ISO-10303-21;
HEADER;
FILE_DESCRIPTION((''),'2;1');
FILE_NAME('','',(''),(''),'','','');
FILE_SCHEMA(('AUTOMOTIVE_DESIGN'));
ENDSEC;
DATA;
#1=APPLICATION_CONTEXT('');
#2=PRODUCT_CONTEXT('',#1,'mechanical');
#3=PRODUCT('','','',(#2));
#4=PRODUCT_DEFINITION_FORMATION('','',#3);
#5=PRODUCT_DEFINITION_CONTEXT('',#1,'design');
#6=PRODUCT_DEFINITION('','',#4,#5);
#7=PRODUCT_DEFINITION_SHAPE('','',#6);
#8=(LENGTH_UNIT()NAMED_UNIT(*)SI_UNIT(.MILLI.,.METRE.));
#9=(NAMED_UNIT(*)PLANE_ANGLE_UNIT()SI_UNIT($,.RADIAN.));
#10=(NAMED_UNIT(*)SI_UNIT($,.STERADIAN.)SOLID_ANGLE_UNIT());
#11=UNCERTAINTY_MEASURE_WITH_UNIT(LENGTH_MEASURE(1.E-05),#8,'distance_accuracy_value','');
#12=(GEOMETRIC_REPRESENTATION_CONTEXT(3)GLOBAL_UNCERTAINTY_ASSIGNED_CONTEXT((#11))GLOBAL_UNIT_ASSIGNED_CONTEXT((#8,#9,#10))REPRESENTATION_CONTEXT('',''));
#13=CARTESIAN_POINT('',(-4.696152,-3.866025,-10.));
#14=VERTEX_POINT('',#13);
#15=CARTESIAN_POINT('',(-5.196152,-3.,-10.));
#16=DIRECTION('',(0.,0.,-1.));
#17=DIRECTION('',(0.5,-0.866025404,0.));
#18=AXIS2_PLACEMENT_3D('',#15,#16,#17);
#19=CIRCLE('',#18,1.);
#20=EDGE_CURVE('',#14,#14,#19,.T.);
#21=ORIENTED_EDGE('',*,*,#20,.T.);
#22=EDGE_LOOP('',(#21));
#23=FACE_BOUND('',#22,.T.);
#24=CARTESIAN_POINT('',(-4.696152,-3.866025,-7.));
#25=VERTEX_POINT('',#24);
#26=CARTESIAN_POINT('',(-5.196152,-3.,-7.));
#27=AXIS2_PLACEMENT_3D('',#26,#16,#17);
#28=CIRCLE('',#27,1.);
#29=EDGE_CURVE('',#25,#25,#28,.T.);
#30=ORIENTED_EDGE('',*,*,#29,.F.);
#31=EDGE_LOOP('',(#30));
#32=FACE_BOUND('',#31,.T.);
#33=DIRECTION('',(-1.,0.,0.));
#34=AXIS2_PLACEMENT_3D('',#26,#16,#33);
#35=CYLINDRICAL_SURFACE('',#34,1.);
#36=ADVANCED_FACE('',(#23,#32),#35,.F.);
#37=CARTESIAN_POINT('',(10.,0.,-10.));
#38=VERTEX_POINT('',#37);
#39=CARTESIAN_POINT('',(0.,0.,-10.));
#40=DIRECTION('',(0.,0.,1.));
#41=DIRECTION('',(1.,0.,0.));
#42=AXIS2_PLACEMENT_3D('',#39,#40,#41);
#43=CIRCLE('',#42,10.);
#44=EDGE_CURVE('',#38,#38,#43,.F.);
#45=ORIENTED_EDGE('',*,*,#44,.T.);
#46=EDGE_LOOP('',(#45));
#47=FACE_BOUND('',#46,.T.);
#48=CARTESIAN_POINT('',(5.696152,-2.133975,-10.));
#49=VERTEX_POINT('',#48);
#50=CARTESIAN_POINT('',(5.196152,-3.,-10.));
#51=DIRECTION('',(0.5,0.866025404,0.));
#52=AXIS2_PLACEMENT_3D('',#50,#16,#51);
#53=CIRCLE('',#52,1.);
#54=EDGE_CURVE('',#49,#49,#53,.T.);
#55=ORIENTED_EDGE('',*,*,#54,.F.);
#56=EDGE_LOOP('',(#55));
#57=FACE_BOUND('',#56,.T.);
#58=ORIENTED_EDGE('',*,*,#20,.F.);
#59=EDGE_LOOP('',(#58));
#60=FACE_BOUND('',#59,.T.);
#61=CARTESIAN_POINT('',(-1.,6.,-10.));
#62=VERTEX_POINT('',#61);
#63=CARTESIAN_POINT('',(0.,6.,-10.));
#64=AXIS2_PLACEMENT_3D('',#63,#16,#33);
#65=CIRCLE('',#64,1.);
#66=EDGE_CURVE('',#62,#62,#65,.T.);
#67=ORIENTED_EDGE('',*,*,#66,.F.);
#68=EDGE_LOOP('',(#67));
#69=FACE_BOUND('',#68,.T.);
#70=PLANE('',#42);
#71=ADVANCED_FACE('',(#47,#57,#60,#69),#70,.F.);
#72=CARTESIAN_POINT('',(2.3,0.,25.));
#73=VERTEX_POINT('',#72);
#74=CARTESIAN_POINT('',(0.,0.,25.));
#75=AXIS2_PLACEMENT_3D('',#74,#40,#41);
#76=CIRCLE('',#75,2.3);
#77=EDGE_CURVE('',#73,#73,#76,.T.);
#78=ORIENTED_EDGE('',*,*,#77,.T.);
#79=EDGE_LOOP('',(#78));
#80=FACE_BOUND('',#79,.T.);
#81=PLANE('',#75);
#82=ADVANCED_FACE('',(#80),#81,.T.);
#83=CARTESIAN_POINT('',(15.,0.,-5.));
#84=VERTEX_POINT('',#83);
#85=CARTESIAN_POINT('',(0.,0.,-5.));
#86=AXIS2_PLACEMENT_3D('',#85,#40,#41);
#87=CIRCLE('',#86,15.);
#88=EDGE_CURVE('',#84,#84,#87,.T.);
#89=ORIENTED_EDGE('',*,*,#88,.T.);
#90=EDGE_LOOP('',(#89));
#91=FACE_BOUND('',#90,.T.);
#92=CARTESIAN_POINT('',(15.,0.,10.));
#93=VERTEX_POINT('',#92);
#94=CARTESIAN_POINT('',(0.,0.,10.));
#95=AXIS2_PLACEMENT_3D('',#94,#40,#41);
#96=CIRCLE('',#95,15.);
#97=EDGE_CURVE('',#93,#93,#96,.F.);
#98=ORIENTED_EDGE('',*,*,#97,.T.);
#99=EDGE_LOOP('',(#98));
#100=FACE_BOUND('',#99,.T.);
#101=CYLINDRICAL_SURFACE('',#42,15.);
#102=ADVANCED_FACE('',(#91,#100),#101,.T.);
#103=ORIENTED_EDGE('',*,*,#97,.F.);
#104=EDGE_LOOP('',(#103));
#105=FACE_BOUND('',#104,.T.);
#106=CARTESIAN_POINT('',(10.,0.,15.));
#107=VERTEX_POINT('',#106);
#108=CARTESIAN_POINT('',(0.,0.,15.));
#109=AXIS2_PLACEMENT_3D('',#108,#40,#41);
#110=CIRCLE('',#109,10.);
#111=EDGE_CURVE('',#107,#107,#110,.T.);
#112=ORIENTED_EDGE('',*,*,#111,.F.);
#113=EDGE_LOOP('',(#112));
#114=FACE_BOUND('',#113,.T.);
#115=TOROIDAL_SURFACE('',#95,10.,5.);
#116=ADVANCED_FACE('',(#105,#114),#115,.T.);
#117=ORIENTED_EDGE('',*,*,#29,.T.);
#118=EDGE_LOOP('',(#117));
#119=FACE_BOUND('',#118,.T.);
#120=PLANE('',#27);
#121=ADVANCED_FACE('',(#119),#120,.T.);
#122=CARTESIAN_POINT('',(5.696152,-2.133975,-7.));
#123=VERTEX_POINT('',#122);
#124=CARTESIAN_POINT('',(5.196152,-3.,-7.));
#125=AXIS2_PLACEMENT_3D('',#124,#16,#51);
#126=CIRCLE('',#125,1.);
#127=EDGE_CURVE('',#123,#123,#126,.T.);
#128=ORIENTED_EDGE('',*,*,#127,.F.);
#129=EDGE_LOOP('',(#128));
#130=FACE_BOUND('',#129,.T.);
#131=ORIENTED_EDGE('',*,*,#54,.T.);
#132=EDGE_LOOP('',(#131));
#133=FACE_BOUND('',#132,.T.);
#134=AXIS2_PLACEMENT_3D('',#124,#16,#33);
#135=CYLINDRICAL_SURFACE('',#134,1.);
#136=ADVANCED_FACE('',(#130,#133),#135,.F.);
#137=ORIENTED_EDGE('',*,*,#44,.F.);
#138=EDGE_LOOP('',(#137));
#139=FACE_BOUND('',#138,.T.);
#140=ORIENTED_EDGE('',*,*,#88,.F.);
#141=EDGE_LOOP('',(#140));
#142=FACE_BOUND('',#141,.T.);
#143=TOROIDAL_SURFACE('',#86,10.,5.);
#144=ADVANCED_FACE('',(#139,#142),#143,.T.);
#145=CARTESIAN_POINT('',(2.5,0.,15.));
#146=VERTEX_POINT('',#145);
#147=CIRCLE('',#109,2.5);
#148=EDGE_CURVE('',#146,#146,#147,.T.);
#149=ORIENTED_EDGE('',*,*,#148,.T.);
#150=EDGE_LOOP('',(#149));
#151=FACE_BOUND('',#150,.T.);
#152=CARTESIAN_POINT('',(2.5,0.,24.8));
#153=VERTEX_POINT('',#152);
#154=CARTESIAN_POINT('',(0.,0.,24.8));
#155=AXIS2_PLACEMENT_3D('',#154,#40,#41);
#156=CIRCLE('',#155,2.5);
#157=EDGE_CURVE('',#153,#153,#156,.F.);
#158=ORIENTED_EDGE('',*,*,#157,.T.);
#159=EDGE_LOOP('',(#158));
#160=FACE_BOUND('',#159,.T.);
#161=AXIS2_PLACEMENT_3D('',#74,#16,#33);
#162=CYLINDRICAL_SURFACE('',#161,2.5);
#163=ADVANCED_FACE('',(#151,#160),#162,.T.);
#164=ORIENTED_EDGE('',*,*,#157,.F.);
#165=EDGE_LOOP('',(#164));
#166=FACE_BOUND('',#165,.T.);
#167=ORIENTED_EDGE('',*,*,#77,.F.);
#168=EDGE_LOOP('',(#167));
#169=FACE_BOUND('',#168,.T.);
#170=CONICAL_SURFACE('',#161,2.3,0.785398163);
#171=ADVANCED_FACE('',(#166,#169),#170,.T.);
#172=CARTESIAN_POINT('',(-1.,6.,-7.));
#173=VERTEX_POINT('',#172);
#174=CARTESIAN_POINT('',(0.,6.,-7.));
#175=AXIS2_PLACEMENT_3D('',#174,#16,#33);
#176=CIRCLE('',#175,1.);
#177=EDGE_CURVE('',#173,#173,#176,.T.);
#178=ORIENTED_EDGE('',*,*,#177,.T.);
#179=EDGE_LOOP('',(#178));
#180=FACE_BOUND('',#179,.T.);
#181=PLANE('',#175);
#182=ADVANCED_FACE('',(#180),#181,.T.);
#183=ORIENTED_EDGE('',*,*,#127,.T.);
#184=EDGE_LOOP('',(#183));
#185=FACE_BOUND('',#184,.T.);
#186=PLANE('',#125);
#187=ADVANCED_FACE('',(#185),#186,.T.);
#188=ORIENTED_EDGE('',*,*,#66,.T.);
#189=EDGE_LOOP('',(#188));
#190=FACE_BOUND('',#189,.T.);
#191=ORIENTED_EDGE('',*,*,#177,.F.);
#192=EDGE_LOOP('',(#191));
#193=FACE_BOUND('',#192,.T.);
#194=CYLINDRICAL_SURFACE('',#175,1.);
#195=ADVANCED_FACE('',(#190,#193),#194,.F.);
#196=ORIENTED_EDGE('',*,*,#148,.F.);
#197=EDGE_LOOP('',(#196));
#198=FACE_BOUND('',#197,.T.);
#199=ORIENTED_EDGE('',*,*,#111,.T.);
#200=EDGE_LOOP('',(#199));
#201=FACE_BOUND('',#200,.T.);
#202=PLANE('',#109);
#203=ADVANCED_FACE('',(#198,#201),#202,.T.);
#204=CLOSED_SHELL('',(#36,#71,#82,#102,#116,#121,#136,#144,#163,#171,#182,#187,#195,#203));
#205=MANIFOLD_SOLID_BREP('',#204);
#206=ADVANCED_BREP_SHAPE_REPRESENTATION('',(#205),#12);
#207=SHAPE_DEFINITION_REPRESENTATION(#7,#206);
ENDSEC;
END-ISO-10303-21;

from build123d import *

# Parameters (mm, degrees)
BOSS_EXTRUDE1_DEPTH      = 15
BOSS_EXTRUDE1_DEPTH_BACK = 10
SKETCH1_R                = 15
FILLET1_R                = 5
SKETCH2_R                = 2.5
BOSS_EXTRUDE2_DEPTH      = 10
CHAMFER1_SIZE            = 0.2
SKETCH3_R                = 1
CUT_EXTRUDE1_DEPTH       = 3
CIRPATTERN1_COUNT        = 3


with BuildPart() as part:
    # Sketch1 → Boss-Extrude1 (new, two sides: drawn at the far end of the back side and taken through both)
    with BuildSketch(Plane.XY.offset(-BOSS_EXTRUDE1_DEPTH_BACK)):
        Circle(SKETCH1_R)
    extrude(amount=BOSS_EXTRUDE1_DEPTH + BOSS_EXTRUDE1_DEPTH_BACK)

    # Fillet1
    fillet1_edges = [part.edges().sort_by_distance(p)[0] for p in [
        (-15, 0, -10),
        (-15, 0, 15),
    ]]
    fillet(fillet1_edges, radius=FILLET1_R)

    # Sketch2 → Boss-Extrude2 (add)
    with BuildSketch(Plane.XY.offset(15)):
        Circle(SKETCH2_R)
    extrude(amount=BOSS_EXTRUDE2_DEPTH)

    # Chamfer1
    chamfer1_edges = [part.edges().sort_by_distance(p)[0] for p in [
        (-2.5, 0, 25),
    ]]
    chamfer(chamfer1_edges, length=CHAMFER1_SIZE)

    # Sketch3 → Cut-Extrude1 (cut)
    with BuildSketch(Plane(origin=(0, 0, -10), x_dir=(-1, 0, 0), z_dir=(0, 0, -1))):
        with Locations((0, 6)):
            Circle(SKETCH3_R)
    cut_extrude1 = extrude(amount=-CUT_EXTRUDE1_DEPTH, mode=Mode.SUBTRACT)

    # CirPattern1: Cut-Extrude1 ×3 about axis
    cirpattern1_axis = Axis((0, 0, 0), (0, 0, 1))
    for i in range(1, CIRPATTERN1_COUNT):
        add(cut_extrude1.rotate(cirpattern1_axis, i * 360 / CIRPATTERN1_COUNT), mode=Mode.SUBTRACT)


solid = part.part
